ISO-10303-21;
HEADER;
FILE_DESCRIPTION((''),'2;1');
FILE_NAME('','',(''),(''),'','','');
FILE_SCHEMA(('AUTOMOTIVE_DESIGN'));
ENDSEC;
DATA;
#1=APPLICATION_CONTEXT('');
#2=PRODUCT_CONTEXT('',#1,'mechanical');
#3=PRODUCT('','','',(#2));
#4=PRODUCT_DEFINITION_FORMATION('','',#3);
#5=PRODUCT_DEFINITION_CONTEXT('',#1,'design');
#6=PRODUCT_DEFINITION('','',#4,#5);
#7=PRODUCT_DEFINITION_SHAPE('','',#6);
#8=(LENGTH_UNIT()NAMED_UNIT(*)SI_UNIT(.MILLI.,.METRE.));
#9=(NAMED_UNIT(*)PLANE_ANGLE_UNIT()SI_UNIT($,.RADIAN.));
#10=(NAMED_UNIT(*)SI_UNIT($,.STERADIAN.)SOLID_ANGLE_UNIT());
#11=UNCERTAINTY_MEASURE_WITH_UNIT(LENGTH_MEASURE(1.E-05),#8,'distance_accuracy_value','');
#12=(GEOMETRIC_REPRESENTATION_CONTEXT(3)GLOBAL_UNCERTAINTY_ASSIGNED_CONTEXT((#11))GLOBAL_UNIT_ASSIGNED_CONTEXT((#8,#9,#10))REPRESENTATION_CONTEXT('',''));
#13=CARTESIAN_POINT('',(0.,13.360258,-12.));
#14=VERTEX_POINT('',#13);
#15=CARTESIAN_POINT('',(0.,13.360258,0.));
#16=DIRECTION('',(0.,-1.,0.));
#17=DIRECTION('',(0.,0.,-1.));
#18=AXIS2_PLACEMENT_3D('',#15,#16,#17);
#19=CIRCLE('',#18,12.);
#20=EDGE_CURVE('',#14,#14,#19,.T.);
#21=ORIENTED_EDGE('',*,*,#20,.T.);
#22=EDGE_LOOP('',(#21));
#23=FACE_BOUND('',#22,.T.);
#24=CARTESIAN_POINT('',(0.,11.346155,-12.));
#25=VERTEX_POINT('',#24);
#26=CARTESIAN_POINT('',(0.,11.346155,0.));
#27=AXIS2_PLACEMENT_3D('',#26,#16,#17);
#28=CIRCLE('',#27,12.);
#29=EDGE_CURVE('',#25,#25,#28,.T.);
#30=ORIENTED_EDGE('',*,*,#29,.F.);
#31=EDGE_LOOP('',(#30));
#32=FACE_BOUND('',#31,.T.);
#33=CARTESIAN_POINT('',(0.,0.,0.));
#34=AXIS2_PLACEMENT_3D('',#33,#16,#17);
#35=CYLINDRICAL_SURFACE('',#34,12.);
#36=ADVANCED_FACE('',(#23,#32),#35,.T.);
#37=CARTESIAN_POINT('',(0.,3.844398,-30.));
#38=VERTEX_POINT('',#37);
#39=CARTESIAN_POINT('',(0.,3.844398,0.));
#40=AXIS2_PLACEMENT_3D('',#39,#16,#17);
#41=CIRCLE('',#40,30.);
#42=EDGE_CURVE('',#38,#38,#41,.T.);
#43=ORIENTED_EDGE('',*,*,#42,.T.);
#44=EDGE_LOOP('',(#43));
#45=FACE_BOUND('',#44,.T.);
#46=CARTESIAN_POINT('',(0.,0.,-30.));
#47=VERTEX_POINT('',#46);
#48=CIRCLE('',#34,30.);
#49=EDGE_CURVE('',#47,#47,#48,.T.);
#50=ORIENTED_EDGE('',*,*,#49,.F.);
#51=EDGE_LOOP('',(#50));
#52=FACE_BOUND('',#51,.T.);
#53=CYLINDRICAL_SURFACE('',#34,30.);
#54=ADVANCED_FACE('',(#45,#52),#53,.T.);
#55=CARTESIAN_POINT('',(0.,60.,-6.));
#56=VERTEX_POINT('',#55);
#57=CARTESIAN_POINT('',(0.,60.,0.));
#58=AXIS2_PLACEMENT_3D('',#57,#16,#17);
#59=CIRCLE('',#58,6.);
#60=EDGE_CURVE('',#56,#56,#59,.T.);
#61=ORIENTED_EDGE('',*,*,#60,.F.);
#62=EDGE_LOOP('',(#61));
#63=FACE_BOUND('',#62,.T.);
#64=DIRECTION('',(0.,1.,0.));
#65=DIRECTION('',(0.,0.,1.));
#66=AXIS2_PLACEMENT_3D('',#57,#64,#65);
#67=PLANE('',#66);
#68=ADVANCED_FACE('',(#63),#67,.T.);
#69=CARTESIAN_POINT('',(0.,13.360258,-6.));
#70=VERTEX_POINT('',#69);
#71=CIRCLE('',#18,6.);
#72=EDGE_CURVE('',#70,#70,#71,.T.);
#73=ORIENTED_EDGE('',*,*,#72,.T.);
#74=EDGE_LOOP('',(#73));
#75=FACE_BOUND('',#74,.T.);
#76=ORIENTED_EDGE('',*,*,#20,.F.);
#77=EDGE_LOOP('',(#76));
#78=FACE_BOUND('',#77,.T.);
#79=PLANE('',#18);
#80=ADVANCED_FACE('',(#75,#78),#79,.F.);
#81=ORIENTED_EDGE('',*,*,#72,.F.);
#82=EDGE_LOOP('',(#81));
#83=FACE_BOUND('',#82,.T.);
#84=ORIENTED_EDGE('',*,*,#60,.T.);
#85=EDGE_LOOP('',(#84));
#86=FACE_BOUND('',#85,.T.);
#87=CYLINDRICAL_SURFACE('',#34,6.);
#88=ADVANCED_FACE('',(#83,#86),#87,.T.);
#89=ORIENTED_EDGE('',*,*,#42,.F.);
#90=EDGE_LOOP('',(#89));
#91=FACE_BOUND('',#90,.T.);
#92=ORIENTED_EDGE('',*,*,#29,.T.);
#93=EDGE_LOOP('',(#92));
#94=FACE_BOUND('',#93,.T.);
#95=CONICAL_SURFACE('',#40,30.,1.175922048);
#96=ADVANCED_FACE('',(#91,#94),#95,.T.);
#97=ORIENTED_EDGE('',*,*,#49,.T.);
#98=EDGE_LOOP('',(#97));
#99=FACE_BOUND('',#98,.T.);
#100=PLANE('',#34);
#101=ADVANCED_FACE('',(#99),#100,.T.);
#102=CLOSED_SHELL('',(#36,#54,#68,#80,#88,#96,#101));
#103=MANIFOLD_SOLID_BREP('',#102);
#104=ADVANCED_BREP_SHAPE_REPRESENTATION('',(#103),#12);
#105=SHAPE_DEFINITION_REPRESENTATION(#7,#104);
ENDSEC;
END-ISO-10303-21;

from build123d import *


with BuildPart() as part:
    # 草图1 → 旋转1 (revolve)
    with BuildSketch(Plane.XY):
        Polygon((12, 13.36025831), (12, 11.34615462), (30, 3.844397816), (30, 0), (0, 0), (0, 60), (6, 60), (6, 13.36025831), align=None)
    revolve(axis=Axis((0, 0, 0), (0, 1, 0)))


solid = part.part
